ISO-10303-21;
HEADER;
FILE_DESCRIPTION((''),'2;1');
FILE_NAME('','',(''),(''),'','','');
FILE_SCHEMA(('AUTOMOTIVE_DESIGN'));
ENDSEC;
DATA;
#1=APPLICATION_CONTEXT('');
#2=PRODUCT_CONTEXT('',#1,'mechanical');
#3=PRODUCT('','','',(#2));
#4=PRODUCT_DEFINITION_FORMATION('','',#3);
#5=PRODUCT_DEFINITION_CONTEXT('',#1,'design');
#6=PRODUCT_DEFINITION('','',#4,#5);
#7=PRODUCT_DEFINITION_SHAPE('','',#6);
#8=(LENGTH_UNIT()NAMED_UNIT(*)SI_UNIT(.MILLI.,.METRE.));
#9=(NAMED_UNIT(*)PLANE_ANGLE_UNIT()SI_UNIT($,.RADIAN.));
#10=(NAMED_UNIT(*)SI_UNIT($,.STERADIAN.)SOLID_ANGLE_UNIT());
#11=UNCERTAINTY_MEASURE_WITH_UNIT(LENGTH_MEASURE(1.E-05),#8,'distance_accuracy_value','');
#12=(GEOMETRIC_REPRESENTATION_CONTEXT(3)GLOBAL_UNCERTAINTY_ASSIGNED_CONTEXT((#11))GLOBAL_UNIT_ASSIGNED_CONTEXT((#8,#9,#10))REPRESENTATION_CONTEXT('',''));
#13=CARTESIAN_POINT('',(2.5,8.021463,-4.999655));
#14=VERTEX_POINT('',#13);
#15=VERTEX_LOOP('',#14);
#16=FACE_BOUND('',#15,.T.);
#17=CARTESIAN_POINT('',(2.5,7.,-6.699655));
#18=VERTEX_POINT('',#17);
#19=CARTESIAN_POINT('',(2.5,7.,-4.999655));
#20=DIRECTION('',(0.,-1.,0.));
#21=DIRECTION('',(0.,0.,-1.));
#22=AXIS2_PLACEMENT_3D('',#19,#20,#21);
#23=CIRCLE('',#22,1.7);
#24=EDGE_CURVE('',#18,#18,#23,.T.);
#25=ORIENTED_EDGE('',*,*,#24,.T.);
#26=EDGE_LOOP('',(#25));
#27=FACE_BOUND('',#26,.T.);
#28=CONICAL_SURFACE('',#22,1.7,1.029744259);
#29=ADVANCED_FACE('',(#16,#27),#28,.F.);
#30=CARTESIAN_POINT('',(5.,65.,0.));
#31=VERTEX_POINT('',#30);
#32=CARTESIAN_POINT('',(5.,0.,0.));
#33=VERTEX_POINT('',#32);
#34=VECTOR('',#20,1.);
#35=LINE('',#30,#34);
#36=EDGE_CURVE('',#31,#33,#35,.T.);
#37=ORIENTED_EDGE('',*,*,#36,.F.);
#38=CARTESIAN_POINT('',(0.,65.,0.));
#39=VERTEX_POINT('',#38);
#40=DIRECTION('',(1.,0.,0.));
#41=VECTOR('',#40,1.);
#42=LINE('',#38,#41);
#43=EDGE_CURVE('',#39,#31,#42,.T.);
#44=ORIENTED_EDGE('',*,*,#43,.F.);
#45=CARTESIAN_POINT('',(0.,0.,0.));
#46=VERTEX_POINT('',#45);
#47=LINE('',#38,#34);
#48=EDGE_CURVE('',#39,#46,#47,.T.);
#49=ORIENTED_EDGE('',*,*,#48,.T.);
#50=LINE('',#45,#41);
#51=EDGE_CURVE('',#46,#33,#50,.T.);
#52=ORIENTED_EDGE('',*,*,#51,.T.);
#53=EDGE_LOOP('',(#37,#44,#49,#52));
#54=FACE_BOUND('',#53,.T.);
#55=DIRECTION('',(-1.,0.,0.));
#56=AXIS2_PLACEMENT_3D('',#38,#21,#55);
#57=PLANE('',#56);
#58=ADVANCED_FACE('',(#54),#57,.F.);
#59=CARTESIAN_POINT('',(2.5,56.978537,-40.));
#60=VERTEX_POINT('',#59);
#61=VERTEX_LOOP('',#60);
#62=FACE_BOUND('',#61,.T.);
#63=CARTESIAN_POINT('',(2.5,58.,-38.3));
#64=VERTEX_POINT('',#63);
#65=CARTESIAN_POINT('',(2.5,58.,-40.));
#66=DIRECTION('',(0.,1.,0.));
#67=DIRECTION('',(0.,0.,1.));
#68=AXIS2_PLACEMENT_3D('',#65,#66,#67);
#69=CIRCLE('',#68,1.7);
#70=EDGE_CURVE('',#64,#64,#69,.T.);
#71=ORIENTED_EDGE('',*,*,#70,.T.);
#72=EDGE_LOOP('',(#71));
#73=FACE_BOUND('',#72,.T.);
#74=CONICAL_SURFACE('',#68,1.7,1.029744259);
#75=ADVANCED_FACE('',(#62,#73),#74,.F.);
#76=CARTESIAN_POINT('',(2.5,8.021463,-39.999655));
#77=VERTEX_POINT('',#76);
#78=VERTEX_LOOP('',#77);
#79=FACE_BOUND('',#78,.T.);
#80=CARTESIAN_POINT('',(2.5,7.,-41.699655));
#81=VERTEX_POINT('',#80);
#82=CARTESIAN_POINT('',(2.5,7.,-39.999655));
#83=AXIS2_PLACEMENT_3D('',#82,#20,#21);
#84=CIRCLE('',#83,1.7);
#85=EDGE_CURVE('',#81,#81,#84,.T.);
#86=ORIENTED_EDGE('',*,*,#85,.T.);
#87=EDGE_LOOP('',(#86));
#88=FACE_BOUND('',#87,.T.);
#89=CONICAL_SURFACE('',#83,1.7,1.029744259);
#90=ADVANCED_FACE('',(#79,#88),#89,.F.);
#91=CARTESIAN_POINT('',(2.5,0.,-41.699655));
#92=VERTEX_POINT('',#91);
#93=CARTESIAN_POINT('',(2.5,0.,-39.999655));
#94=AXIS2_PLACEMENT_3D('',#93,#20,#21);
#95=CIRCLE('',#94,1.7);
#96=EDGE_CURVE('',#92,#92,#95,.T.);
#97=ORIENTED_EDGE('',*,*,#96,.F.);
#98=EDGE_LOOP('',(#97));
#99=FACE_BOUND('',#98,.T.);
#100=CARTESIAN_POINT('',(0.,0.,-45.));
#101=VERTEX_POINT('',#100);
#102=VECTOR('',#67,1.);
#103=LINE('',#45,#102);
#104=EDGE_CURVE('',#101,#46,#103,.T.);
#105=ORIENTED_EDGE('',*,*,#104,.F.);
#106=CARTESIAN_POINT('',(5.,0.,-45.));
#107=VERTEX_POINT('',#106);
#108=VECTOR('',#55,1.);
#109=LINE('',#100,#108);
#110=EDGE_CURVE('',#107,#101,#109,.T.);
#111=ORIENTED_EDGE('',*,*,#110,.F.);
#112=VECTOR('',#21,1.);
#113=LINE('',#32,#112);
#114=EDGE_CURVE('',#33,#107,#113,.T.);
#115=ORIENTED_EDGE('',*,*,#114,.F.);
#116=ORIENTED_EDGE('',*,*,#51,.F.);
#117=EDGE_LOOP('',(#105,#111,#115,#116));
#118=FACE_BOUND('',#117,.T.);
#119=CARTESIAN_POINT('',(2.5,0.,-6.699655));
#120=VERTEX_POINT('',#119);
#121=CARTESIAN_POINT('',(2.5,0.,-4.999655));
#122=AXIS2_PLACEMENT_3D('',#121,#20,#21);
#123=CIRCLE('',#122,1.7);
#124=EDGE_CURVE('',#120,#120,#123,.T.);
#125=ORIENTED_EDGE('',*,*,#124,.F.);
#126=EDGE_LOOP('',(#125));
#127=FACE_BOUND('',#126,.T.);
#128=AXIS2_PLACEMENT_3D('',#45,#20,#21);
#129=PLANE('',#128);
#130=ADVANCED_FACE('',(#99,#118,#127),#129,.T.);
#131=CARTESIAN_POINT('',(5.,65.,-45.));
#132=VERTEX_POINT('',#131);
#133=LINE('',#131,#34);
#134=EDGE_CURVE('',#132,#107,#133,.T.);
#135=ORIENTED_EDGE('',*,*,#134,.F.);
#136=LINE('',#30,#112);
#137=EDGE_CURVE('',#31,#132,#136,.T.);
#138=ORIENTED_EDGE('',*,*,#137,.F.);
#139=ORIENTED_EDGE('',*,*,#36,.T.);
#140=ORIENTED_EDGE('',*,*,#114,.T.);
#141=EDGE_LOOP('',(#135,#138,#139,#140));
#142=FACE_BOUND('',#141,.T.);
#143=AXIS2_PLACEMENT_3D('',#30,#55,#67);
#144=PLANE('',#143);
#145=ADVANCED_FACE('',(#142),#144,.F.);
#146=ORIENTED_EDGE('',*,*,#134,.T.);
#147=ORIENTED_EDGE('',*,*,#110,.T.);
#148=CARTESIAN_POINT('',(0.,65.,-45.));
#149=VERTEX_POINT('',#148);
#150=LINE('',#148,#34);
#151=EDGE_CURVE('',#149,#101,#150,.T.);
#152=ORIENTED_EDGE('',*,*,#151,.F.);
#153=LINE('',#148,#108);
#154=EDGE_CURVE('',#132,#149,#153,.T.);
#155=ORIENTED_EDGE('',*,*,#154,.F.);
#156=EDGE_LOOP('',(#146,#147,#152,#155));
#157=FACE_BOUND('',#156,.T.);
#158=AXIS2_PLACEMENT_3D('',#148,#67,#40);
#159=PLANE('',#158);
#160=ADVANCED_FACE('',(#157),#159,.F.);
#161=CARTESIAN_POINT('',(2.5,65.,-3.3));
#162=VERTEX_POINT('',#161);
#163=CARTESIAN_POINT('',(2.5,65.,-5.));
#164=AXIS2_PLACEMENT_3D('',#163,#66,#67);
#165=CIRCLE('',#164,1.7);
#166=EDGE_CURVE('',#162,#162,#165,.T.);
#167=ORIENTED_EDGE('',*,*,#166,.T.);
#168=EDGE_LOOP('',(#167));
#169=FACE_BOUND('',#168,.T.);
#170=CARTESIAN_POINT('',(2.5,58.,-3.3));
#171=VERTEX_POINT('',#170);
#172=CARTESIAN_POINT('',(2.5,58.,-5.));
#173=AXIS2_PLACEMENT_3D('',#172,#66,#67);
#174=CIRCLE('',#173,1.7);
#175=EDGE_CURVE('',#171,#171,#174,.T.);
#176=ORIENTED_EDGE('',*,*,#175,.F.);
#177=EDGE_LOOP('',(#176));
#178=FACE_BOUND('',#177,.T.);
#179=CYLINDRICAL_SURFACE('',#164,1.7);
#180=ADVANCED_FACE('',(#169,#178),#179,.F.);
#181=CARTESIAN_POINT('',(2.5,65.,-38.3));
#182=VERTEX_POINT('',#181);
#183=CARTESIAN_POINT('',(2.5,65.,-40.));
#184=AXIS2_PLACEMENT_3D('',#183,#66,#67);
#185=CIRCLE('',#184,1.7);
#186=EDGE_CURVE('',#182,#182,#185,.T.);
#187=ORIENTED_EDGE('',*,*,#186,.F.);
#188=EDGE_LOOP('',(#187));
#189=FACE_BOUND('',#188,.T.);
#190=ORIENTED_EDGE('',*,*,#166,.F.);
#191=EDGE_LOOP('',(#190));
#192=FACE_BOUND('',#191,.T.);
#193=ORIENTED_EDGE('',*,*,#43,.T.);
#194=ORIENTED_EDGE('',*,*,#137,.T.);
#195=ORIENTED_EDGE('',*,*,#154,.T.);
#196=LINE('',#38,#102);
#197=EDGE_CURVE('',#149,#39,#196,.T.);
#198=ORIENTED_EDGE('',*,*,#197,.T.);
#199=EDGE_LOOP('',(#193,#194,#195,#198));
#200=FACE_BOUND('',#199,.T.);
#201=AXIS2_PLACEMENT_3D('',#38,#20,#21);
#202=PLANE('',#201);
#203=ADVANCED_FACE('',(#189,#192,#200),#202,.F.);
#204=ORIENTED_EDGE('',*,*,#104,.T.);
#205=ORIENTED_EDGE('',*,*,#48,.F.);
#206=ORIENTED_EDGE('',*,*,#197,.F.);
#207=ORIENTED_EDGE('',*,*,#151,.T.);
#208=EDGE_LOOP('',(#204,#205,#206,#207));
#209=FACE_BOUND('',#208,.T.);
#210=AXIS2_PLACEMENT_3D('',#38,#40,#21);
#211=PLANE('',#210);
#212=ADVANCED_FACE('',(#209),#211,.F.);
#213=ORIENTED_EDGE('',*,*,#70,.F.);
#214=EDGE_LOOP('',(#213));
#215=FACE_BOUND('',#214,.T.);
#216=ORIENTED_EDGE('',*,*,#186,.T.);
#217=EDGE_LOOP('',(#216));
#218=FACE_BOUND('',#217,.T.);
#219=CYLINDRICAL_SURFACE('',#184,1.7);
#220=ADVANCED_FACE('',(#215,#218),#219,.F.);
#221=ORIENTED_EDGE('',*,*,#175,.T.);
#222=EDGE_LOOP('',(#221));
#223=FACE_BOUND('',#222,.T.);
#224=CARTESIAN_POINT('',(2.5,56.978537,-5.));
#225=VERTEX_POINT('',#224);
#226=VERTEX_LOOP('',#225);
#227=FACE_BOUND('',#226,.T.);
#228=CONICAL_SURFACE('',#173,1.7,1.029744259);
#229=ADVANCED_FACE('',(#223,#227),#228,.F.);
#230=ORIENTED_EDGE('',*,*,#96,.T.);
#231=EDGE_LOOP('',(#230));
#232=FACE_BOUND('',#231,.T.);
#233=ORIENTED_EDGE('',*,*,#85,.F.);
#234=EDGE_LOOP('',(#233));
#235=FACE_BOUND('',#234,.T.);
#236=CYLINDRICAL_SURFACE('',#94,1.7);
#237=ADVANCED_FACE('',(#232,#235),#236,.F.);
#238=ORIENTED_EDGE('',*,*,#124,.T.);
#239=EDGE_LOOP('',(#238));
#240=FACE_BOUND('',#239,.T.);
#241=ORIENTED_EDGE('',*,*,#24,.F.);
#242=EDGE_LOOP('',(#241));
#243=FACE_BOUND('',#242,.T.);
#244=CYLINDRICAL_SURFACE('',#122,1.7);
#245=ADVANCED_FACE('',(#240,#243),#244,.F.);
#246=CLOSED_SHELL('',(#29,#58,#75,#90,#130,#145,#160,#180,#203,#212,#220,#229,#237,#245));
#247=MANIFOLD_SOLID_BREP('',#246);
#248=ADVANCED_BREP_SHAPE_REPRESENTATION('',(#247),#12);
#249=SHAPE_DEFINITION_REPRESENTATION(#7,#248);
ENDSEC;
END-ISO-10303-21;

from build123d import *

# Parameters (mm, degrees)
SKETCH1_W                = 5
SKETCH1_H                = 45
BOSS_EXTRUDE1_DEPTH      = 65
M3_CLEARANCE_HOLE1_D     = 3.4
M3_CLEARANCE_HOLE1_DEPTH = 7
M3_CLEARANCE_HOLE1_TIP   = 1.021463052
M3_CLEARANCE_HOLE2_D     = 3.4
M3_CLEARANCE_HOLE2_DEPTH = 7
M3_CLEARANCE_HOLE2_TIP   = 1.021463052


with BuildPart() as part:
    # Sketch1 → Boss-Extrude1 (new body)
    with BuildSketch(Plane(origin=(0, 0, 0), x_dir=(1, 0, 0), z_dir=(0, 1, 0))):
        with Locations((2.5, 22.5)):
            Rectangle(SKETCH1_W, SKETCH1_H)
    extrude(amount=BOSS_EXTRUDE1_DEPTH)

    # M3 Clearance Hole1
    with Locations(Plane(origin=(0, 65, 0), x_dir=(1, 0, 0), z_dir=(0, 1, 0))):
        with Locations((2.5, 40), (2.5, 5)):
            Hole(M3_CLEARANCE_HOLE1_D / 2, depth=M3_CLEARANCE_HOLE1_DEPTH)
            with Locations((0, 0, -(M3_CLEARANCE_HOLE1_DEPTH + M3_CLEARANCE_HOLE1_TIP / 2))):  # 118° drill point
                Cone(0, M3_CLEARANCE_HOLE1_D / 2, M3_CLEARANCE_HOLE1_TIP, mode=Mode.SUBTRACT)

    # M3 Clearance Hole2
    with Locations(Plane(origin=(0, 0, 0), x_dir=(-1, 0, 0), z_dir=(0, -1, 0))):
        with Locations((-2.5, 39.999655037), (-2.5, 4.999655037)):
            Hole(M3_CLEARANCE_HOLE2_D / 2, depth=M3_CLEARANCE_HOLE2_DEPTH)
            with Locations((0, 0, -(M3_CLEARANCE_HOLE2_DEPTH + M3_CLEARANCE_HOLE2_TIP / 2))):  # 118° drill point
                Cone(0, M3_CLEARANCE_HOLE2_D / 2, M3_CLEARANCE_HOLE2_TIP, mode=Mode.SUBTRACT)


solid = part.part
